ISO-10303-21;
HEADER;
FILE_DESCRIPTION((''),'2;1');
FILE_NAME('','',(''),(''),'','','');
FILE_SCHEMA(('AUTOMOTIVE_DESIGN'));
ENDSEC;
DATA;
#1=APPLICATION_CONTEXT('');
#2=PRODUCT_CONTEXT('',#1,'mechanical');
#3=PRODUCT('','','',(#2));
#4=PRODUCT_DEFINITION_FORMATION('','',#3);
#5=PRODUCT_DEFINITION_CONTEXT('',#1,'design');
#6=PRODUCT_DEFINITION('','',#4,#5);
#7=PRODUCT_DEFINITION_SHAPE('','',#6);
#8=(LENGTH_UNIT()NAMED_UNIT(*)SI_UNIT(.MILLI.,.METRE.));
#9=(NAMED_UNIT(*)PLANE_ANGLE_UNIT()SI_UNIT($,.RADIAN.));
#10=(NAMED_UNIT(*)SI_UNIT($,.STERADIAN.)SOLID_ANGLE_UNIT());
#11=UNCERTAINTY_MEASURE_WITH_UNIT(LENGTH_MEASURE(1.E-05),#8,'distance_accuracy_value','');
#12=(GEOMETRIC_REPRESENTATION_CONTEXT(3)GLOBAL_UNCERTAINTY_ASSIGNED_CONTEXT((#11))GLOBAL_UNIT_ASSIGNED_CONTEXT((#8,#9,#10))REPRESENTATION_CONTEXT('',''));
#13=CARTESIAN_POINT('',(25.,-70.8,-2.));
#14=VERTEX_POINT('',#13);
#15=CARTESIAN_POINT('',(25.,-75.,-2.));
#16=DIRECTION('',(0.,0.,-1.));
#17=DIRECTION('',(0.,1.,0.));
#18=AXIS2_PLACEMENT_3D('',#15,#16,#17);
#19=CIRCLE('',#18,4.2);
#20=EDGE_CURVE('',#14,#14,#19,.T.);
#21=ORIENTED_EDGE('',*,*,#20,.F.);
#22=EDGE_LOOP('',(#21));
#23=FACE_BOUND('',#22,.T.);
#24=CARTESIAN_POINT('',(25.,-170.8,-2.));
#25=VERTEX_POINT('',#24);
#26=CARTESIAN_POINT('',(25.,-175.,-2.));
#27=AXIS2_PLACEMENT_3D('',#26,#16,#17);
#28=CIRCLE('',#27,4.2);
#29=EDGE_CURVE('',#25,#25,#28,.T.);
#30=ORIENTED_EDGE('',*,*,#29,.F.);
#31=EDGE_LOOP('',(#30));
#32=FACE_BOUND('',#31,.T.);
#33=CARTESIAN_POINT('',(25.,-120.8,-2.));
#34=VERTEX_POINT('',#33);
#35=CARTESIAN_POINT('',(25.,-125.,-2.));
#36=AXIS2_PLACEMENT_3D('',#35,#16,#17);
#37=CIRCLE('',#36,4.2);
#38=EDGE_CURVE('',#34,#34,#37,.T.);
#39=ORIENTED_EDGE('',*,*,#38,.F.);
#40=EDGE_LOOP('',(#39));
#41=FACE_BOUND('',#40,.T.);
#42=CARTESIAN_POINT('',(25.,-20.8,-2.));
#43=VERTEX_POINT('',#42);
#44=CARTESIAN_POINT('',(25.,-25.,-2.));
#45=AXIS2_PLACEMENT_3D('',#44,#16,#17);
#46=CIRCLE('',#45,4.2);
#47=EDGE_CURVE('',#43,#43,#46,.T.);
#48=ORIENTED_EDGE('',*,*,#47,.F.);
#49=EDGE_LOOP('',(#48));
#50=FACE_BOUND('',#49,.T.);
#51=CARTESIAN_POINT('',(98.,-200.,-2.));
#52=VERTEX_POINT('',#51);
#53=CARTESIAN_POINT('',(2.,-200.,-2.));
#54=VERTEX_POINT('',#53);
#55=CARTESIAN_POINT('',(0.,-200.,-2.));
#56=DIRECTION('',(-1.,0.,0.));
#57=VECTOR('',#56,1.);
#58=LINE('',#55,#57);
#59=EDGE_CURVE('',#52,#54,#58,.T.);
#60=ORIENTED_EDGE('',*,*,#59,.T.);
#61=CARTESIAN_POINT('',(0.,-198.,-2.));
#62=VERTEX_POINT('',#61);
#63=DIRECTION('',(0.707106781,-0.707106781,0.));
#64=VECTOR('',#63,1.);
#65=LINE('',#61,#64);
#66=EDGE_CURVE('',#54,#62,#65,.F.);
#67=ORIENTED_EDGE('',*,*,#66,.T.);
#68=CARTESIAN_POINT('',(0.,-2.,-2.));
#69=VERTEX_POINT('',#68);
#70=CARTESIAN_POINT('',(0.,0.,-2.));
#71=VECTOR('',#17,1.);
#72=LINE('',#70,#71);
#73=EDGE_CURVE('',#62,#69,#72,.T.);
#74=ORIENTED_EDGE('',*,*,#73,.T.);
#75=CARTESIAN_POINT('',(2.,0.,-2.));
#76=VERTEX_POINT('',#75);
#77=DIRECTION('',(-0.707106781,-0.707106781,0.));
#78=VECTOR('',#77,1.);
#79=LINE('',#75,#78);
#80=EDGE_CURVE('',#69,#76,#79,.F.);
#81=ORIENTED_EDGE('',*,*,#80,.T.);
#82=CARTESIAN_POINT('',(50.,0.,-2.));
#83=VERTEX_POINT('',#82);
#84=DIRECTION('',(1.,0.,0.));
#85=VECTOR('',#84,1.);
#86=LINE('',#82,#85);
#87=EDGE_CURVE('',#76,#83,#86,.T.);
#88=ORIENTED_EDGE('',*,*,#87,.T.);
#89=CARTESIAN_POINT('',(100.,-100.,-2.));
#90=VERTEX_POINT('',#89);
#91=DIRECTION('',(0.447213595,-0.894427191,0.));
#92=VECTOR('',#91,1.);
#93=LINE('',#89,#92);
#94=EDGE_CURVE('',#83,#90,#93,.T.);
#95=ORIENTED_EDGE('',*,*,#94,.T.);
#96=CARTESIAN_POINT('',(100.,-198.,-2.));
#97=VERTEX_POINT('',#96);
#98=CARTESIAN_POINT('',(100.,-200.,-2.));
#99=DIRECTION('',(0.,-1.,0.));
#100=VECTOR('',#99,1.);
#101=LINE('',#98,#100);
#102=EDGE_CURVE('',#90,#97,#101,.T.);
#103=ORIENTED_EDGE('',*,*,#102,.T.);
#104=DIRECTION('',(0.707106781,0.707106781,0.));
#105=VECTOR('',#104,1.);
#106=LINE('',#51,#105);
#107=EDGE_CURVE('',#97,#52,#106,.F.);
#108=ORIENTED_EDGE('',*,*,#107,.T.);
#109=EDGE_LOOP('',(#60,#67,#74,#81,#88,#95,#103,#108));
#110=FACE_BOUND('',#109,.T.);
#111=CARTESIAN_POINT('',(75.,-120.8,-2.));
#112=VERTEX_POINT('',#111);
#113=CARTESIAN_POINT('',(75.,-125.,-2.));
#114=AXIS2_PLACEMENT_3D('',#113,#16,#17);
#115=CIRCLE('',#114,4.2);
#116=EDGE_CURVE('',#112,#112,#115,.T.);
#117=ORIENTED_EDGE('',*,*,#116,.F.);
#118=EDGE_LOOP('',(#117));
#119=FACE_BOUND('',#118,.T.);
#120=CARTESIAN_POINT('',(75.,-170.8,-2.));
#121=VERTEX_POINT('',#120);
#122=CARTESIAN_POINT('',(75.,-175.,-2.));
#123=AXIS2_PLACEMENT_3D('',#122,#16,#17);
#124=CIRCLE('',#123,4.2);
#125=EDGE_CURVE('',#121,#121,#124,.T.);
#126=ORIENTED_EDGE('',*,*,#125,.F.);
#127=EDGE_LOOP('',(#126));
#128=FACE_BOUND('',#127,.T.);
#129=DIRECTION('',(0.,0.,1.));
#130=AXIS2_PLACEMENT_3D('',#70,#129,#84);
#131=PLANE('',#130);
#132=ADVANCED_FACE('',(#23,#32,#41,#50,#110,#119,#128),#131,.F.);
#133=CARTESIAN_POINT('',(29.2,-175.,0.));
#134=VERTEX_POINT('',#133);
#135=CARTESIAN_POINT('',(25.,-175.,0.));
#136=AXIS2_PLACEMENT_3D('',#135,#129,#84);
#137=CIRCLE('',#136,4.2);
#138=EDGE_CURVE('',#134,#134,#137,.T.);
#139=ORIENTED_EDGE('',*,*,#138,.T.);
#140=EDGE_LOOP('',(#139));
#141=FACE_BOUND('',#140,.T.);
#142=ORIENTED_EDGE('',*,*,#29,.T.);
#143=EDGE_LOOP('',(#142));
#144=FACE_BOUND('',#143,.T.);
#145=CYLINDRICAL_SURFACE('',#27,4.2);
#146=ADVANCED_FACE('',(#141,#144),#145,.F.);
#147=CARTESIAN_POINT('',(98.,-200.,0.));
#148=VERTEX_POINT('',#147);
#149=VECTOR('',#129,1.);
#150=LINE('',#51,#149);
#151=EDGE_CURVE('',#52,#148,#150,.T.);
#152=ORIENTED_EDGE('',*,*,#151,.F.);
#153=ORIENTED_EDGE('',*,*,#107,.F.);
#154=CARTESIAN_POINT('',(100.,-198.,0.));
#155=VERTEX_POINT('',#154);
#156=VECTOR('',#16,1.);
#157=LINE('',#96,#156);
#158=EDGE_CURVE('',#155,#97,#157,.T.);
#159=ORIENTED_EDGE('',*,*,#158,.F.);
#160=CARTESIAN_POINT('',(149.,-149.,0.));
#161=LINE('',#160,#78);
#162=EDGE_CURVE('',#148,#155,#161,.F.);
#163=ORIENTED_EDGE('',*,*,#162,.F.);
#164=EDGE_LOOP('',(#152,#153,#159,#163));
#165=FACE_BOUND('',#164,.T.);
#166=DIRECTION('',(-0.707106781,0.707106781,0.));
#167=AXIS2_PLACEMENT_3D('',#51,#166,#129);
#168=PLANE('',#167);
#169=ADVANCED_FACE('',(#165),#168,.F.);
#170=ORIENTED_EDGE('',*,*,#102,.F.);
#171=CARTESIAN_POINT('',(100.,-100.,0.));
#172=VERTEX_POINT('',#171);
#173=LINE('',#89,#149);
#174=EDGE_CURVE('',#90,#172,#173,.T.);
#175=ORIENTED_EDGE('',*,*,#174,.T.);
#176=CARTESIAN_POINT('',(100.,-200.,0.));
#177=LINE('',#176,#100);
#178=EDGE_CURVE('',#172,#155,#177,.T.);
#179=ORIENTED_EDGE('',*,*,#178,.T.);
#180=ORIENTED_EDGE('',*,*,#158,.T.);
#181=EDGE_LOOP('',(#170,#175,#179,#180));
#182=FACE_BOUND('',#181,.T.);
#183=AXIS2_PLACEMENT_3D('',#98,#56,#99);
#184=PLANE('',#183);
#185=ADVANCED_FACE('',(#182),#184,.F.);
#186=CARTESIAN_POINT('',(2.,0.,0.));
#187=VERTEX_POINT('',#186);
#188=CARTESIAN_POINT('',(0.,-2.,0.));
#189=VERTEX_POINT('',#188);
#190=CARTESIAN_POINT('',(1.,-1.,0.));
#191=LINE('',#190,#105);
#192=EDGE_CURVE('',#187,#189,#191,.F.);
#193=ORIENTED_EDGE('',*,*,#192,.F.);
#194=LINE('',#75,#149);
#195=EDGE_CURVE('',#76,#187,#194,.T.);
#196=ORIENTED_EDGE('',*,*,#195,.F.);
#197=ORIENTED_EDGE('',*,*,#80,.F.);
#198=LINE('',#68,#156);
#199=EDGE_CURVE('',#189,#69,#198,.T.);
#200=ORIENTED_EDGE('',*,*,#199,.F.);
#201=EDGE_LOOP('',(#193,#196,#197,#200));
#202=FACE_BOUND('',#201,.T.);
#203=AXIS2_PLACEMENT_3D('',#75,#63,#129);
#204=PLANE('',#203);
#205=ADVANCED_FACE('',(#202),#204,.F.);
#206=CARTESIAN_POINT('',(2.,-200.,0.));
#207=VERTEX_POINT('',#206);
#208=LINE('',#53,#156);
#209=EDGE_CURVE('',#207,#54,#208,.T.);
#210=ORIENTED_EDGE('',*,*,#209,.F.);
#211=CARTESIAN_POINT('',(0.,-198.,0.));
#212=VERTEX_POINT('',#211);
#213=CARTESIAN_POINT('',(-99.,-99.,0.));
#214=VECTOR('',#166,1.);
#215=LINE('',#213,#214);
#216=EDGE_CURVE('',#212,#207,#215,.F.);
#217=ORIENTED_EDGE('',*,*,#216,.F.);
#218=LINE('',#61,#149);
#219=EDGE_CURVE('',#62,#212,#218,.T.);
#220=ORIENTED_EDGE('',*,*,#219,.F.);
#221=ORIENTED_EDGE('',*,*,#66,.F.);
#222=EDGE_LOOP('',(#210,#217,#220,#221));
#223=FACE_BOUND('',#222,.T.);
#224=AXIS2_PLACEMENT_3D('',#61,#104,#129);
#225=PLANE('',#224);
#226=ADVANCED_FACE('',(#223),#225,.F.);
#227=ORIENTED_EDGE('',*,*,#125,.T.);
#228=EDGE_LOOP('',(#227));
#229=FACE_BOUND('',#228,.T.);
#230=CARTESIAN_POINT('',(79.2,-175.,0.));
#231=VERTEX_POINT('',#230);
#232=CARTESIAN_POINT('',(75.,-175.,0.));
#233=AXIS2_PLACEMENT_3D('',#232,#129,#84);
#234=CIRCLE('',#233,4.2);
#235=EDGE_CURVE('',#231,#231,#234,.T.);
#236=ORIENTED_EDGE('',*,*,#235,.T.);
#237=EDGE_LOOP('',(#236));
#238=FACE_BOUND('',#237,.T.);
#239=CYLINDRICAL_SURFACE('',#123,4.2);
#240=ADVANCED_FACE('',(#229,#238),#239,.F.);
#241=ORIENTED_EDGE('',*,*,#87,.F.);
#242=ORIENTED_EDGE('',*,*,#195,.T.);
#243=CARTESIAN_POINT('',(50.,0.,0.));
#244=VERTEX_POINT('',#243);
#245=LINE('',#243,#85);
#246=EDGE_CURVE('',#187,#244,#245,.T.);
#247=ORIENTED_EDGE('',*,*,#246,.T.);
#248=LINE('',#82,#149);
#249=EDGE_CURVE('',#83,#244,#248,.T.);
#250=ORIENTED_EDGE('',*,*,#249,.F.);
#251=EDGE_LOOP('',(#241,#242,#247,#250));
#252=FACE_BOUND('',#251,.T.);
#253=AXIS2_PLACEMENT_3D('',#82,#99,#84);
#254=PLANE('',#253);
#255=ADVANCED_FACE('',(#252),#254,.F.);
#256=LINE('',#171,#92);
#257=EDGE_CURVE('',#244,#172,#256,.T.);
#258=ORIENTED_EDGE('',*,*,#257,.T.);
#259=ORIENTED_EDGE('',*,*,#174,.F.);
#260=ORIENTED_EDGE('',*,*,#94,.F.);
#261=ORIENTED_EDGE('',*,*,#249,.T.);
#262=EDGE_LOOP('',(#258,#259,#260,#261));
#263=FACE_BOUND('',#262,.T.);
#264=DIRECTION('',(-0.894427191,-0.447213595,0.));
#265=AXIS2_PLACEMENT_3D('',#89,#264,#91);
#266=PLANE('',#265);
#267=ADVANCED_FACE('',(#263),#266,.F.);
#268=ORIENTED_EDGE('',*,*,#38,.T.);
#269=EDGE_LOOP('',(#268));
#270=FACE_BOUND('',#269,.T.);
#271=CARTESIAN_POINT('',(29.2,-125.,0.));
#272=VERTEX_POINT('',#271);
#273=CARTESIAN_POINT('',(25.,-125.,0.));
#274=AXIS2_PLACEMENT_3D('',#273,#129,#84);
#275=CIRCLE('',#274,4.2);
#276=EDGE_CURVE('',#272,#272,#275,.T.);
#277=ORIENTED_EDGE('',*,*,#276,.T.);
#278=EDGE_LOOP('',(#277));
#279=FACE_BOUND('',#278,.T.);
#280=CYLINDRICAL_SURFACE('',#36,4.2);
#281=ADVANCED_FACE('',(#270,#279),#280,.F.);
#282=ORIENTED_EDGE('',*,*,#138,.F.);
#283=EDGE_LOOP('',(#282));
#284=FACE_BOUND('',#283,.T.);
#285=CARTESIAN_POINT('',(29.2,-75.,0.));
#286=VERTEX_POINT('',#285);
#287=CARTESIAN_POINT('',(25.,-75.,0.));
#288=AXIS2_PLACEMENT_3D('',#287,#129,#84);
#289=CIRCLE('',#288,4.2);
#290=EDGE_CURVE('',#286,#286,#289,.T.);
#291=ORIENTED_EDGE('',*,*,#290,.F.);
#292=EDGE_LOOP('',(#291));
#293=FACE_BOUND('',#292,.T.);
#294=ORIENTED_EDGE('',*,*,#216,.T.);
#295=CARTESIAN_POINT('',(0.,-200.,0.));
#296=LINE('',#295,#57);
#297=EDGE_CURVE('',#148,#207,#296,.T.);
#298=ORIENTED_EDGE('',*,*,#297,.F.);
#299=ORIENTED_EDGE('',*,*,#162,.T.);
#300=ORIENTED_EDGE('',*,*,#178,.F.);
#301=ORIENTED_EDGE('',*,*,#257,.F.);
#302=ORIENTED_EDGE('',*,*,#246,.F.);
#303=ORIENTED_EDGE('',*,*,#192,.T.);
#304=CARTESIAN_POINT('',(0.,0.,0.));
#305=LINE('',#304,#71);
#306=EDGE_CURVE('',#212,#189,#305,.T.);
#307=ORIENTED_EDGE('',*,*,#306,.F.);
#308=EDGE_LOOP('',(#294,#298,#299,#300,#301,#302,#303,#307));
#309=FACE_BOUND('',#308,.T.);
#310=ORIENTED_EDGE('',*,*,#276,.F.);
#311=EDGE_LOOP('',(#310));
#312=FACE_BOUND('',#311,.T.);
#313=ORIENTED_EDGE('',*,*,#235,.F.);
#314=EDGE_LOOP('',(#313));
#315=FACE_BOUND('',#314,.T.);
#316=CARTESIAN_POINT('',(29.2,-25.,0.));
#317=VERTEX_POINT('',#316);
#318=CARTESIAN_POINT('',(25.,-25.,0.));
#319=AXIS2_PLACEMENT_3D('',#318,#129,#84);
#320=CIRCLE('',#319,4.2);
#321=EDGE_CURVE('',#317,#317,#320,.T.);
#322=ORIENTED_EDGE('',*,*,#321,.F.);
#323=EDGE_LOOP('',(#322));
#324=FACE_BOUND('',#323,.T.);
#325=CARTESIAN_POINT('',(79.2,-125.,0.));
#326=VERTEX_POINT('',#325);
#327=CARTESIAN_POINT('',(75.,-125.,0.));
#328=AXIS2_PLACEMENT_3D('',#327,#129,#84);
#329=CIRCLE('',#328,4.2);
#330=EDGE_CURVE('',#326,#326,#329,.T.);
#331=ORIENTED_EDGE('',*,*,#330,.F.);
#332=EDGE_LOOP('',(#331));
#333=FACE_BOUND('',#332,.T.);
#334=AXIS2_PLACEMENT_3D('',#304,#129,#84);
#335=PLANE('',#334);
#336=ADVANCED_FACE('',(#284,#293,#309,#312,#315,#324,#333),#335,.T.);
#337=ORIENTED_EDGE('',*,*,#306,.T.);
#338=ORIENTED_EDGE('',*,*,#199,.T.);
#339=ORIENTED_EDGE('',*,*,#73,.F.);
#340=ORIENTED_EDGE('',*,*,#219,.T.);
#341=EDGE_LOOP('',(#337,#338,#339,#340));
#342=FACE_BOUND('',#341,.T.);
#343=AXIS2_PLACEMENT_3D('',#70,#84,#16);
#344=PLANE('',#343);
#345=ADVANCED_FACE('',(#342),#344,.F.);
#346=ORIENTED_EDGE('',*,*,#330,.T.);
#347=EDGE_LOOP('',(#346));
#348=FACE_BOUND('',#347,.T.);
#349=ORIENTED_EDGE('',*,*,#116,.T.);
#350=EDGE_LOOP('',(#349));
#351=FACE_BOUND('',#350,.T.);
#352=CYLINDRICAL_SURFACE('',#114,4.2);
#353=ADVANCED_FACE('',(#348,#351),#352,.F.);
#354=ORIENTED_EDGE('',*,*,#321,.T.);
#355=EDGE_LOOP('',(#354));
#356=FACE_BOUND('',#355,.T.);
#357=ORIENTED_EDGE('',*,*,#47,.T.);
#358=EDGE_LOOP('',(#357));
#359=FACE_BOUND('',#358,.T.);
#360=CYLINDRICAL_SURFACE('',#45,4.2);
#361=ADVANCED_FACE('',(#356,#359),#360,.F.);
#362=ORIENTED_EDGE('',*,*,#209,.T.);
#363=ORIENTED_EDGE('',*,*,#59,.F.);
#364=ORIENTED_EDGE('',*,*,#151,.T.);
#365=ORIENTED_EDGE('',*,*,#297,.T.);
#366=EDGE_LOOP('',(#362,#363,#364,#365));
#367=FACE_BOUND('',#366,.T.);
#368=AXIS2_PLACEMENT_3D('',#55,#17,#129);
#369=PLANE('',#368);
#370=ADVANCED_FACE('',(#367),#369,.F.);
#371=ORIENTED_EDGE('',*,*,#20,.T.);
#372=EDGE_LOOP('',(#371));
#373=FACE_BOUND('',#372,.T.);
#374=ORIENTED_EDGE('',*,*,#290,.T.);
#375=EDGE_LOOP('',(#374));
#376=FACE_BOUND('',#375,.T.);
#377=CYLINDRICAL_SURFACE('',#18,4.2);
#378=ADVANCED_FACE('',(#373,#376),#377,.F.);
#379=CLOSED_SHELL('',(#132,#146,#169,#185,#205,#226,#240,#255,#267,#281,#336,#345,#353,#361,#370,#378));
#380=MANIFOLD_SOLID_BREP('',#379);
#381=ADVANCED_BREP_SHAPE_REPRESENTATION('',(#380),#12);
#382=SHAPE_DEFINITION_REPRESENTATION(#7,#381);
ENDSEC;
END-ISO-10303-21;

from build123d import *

# Parameters (mm, degrees)
EXTRUDE_1_DEPTH       = 2
HOLE_WIZARD_M81_D     = 8.4
HOLE_WIZARD_M81_DEPTH = 2
CHAMFER_1_SIZE        = 2


with BuildPart() as part:
    # Эскиз1 → Бобышка-Вытянуть1 (new body)
    with BuildSketch(Plane(origin=(0, 0, 0), x_dir=(1, 0, 0), z_dir=(0, 0, -1))):
        Polygon((0, 0), (0, 200), (100, 200), (100, 100), (50, 0), align=None)
    extrude(amount=EXTRUDE_1_DEPTH)

    # Отверстие с зазором M81
    with Locations(Plane(origin=(0, 0, -2), x_dir=(1, 0, 0), z_dir=(0, 0, -1))):
        with Locations((25, 175), (25, 125), (25, 75), (25, 25), (75, 175), (75, 125)):
            Hole(HOLE_WIZARD_M81_D / 2, depth=HOLE_WIZARD_M81_DEPTH)

    # Фаска1
    chamfer_1_edges = [part.edges().sort_by_distance(p)[0] for p in [
        (0, 0, -1),
        (0, -200, -1),
        (100, -200, -1),
    ]]
    chamfer(chamfer_1_edges, length=CHAMFER_1_SIZE)


solid = part.part
